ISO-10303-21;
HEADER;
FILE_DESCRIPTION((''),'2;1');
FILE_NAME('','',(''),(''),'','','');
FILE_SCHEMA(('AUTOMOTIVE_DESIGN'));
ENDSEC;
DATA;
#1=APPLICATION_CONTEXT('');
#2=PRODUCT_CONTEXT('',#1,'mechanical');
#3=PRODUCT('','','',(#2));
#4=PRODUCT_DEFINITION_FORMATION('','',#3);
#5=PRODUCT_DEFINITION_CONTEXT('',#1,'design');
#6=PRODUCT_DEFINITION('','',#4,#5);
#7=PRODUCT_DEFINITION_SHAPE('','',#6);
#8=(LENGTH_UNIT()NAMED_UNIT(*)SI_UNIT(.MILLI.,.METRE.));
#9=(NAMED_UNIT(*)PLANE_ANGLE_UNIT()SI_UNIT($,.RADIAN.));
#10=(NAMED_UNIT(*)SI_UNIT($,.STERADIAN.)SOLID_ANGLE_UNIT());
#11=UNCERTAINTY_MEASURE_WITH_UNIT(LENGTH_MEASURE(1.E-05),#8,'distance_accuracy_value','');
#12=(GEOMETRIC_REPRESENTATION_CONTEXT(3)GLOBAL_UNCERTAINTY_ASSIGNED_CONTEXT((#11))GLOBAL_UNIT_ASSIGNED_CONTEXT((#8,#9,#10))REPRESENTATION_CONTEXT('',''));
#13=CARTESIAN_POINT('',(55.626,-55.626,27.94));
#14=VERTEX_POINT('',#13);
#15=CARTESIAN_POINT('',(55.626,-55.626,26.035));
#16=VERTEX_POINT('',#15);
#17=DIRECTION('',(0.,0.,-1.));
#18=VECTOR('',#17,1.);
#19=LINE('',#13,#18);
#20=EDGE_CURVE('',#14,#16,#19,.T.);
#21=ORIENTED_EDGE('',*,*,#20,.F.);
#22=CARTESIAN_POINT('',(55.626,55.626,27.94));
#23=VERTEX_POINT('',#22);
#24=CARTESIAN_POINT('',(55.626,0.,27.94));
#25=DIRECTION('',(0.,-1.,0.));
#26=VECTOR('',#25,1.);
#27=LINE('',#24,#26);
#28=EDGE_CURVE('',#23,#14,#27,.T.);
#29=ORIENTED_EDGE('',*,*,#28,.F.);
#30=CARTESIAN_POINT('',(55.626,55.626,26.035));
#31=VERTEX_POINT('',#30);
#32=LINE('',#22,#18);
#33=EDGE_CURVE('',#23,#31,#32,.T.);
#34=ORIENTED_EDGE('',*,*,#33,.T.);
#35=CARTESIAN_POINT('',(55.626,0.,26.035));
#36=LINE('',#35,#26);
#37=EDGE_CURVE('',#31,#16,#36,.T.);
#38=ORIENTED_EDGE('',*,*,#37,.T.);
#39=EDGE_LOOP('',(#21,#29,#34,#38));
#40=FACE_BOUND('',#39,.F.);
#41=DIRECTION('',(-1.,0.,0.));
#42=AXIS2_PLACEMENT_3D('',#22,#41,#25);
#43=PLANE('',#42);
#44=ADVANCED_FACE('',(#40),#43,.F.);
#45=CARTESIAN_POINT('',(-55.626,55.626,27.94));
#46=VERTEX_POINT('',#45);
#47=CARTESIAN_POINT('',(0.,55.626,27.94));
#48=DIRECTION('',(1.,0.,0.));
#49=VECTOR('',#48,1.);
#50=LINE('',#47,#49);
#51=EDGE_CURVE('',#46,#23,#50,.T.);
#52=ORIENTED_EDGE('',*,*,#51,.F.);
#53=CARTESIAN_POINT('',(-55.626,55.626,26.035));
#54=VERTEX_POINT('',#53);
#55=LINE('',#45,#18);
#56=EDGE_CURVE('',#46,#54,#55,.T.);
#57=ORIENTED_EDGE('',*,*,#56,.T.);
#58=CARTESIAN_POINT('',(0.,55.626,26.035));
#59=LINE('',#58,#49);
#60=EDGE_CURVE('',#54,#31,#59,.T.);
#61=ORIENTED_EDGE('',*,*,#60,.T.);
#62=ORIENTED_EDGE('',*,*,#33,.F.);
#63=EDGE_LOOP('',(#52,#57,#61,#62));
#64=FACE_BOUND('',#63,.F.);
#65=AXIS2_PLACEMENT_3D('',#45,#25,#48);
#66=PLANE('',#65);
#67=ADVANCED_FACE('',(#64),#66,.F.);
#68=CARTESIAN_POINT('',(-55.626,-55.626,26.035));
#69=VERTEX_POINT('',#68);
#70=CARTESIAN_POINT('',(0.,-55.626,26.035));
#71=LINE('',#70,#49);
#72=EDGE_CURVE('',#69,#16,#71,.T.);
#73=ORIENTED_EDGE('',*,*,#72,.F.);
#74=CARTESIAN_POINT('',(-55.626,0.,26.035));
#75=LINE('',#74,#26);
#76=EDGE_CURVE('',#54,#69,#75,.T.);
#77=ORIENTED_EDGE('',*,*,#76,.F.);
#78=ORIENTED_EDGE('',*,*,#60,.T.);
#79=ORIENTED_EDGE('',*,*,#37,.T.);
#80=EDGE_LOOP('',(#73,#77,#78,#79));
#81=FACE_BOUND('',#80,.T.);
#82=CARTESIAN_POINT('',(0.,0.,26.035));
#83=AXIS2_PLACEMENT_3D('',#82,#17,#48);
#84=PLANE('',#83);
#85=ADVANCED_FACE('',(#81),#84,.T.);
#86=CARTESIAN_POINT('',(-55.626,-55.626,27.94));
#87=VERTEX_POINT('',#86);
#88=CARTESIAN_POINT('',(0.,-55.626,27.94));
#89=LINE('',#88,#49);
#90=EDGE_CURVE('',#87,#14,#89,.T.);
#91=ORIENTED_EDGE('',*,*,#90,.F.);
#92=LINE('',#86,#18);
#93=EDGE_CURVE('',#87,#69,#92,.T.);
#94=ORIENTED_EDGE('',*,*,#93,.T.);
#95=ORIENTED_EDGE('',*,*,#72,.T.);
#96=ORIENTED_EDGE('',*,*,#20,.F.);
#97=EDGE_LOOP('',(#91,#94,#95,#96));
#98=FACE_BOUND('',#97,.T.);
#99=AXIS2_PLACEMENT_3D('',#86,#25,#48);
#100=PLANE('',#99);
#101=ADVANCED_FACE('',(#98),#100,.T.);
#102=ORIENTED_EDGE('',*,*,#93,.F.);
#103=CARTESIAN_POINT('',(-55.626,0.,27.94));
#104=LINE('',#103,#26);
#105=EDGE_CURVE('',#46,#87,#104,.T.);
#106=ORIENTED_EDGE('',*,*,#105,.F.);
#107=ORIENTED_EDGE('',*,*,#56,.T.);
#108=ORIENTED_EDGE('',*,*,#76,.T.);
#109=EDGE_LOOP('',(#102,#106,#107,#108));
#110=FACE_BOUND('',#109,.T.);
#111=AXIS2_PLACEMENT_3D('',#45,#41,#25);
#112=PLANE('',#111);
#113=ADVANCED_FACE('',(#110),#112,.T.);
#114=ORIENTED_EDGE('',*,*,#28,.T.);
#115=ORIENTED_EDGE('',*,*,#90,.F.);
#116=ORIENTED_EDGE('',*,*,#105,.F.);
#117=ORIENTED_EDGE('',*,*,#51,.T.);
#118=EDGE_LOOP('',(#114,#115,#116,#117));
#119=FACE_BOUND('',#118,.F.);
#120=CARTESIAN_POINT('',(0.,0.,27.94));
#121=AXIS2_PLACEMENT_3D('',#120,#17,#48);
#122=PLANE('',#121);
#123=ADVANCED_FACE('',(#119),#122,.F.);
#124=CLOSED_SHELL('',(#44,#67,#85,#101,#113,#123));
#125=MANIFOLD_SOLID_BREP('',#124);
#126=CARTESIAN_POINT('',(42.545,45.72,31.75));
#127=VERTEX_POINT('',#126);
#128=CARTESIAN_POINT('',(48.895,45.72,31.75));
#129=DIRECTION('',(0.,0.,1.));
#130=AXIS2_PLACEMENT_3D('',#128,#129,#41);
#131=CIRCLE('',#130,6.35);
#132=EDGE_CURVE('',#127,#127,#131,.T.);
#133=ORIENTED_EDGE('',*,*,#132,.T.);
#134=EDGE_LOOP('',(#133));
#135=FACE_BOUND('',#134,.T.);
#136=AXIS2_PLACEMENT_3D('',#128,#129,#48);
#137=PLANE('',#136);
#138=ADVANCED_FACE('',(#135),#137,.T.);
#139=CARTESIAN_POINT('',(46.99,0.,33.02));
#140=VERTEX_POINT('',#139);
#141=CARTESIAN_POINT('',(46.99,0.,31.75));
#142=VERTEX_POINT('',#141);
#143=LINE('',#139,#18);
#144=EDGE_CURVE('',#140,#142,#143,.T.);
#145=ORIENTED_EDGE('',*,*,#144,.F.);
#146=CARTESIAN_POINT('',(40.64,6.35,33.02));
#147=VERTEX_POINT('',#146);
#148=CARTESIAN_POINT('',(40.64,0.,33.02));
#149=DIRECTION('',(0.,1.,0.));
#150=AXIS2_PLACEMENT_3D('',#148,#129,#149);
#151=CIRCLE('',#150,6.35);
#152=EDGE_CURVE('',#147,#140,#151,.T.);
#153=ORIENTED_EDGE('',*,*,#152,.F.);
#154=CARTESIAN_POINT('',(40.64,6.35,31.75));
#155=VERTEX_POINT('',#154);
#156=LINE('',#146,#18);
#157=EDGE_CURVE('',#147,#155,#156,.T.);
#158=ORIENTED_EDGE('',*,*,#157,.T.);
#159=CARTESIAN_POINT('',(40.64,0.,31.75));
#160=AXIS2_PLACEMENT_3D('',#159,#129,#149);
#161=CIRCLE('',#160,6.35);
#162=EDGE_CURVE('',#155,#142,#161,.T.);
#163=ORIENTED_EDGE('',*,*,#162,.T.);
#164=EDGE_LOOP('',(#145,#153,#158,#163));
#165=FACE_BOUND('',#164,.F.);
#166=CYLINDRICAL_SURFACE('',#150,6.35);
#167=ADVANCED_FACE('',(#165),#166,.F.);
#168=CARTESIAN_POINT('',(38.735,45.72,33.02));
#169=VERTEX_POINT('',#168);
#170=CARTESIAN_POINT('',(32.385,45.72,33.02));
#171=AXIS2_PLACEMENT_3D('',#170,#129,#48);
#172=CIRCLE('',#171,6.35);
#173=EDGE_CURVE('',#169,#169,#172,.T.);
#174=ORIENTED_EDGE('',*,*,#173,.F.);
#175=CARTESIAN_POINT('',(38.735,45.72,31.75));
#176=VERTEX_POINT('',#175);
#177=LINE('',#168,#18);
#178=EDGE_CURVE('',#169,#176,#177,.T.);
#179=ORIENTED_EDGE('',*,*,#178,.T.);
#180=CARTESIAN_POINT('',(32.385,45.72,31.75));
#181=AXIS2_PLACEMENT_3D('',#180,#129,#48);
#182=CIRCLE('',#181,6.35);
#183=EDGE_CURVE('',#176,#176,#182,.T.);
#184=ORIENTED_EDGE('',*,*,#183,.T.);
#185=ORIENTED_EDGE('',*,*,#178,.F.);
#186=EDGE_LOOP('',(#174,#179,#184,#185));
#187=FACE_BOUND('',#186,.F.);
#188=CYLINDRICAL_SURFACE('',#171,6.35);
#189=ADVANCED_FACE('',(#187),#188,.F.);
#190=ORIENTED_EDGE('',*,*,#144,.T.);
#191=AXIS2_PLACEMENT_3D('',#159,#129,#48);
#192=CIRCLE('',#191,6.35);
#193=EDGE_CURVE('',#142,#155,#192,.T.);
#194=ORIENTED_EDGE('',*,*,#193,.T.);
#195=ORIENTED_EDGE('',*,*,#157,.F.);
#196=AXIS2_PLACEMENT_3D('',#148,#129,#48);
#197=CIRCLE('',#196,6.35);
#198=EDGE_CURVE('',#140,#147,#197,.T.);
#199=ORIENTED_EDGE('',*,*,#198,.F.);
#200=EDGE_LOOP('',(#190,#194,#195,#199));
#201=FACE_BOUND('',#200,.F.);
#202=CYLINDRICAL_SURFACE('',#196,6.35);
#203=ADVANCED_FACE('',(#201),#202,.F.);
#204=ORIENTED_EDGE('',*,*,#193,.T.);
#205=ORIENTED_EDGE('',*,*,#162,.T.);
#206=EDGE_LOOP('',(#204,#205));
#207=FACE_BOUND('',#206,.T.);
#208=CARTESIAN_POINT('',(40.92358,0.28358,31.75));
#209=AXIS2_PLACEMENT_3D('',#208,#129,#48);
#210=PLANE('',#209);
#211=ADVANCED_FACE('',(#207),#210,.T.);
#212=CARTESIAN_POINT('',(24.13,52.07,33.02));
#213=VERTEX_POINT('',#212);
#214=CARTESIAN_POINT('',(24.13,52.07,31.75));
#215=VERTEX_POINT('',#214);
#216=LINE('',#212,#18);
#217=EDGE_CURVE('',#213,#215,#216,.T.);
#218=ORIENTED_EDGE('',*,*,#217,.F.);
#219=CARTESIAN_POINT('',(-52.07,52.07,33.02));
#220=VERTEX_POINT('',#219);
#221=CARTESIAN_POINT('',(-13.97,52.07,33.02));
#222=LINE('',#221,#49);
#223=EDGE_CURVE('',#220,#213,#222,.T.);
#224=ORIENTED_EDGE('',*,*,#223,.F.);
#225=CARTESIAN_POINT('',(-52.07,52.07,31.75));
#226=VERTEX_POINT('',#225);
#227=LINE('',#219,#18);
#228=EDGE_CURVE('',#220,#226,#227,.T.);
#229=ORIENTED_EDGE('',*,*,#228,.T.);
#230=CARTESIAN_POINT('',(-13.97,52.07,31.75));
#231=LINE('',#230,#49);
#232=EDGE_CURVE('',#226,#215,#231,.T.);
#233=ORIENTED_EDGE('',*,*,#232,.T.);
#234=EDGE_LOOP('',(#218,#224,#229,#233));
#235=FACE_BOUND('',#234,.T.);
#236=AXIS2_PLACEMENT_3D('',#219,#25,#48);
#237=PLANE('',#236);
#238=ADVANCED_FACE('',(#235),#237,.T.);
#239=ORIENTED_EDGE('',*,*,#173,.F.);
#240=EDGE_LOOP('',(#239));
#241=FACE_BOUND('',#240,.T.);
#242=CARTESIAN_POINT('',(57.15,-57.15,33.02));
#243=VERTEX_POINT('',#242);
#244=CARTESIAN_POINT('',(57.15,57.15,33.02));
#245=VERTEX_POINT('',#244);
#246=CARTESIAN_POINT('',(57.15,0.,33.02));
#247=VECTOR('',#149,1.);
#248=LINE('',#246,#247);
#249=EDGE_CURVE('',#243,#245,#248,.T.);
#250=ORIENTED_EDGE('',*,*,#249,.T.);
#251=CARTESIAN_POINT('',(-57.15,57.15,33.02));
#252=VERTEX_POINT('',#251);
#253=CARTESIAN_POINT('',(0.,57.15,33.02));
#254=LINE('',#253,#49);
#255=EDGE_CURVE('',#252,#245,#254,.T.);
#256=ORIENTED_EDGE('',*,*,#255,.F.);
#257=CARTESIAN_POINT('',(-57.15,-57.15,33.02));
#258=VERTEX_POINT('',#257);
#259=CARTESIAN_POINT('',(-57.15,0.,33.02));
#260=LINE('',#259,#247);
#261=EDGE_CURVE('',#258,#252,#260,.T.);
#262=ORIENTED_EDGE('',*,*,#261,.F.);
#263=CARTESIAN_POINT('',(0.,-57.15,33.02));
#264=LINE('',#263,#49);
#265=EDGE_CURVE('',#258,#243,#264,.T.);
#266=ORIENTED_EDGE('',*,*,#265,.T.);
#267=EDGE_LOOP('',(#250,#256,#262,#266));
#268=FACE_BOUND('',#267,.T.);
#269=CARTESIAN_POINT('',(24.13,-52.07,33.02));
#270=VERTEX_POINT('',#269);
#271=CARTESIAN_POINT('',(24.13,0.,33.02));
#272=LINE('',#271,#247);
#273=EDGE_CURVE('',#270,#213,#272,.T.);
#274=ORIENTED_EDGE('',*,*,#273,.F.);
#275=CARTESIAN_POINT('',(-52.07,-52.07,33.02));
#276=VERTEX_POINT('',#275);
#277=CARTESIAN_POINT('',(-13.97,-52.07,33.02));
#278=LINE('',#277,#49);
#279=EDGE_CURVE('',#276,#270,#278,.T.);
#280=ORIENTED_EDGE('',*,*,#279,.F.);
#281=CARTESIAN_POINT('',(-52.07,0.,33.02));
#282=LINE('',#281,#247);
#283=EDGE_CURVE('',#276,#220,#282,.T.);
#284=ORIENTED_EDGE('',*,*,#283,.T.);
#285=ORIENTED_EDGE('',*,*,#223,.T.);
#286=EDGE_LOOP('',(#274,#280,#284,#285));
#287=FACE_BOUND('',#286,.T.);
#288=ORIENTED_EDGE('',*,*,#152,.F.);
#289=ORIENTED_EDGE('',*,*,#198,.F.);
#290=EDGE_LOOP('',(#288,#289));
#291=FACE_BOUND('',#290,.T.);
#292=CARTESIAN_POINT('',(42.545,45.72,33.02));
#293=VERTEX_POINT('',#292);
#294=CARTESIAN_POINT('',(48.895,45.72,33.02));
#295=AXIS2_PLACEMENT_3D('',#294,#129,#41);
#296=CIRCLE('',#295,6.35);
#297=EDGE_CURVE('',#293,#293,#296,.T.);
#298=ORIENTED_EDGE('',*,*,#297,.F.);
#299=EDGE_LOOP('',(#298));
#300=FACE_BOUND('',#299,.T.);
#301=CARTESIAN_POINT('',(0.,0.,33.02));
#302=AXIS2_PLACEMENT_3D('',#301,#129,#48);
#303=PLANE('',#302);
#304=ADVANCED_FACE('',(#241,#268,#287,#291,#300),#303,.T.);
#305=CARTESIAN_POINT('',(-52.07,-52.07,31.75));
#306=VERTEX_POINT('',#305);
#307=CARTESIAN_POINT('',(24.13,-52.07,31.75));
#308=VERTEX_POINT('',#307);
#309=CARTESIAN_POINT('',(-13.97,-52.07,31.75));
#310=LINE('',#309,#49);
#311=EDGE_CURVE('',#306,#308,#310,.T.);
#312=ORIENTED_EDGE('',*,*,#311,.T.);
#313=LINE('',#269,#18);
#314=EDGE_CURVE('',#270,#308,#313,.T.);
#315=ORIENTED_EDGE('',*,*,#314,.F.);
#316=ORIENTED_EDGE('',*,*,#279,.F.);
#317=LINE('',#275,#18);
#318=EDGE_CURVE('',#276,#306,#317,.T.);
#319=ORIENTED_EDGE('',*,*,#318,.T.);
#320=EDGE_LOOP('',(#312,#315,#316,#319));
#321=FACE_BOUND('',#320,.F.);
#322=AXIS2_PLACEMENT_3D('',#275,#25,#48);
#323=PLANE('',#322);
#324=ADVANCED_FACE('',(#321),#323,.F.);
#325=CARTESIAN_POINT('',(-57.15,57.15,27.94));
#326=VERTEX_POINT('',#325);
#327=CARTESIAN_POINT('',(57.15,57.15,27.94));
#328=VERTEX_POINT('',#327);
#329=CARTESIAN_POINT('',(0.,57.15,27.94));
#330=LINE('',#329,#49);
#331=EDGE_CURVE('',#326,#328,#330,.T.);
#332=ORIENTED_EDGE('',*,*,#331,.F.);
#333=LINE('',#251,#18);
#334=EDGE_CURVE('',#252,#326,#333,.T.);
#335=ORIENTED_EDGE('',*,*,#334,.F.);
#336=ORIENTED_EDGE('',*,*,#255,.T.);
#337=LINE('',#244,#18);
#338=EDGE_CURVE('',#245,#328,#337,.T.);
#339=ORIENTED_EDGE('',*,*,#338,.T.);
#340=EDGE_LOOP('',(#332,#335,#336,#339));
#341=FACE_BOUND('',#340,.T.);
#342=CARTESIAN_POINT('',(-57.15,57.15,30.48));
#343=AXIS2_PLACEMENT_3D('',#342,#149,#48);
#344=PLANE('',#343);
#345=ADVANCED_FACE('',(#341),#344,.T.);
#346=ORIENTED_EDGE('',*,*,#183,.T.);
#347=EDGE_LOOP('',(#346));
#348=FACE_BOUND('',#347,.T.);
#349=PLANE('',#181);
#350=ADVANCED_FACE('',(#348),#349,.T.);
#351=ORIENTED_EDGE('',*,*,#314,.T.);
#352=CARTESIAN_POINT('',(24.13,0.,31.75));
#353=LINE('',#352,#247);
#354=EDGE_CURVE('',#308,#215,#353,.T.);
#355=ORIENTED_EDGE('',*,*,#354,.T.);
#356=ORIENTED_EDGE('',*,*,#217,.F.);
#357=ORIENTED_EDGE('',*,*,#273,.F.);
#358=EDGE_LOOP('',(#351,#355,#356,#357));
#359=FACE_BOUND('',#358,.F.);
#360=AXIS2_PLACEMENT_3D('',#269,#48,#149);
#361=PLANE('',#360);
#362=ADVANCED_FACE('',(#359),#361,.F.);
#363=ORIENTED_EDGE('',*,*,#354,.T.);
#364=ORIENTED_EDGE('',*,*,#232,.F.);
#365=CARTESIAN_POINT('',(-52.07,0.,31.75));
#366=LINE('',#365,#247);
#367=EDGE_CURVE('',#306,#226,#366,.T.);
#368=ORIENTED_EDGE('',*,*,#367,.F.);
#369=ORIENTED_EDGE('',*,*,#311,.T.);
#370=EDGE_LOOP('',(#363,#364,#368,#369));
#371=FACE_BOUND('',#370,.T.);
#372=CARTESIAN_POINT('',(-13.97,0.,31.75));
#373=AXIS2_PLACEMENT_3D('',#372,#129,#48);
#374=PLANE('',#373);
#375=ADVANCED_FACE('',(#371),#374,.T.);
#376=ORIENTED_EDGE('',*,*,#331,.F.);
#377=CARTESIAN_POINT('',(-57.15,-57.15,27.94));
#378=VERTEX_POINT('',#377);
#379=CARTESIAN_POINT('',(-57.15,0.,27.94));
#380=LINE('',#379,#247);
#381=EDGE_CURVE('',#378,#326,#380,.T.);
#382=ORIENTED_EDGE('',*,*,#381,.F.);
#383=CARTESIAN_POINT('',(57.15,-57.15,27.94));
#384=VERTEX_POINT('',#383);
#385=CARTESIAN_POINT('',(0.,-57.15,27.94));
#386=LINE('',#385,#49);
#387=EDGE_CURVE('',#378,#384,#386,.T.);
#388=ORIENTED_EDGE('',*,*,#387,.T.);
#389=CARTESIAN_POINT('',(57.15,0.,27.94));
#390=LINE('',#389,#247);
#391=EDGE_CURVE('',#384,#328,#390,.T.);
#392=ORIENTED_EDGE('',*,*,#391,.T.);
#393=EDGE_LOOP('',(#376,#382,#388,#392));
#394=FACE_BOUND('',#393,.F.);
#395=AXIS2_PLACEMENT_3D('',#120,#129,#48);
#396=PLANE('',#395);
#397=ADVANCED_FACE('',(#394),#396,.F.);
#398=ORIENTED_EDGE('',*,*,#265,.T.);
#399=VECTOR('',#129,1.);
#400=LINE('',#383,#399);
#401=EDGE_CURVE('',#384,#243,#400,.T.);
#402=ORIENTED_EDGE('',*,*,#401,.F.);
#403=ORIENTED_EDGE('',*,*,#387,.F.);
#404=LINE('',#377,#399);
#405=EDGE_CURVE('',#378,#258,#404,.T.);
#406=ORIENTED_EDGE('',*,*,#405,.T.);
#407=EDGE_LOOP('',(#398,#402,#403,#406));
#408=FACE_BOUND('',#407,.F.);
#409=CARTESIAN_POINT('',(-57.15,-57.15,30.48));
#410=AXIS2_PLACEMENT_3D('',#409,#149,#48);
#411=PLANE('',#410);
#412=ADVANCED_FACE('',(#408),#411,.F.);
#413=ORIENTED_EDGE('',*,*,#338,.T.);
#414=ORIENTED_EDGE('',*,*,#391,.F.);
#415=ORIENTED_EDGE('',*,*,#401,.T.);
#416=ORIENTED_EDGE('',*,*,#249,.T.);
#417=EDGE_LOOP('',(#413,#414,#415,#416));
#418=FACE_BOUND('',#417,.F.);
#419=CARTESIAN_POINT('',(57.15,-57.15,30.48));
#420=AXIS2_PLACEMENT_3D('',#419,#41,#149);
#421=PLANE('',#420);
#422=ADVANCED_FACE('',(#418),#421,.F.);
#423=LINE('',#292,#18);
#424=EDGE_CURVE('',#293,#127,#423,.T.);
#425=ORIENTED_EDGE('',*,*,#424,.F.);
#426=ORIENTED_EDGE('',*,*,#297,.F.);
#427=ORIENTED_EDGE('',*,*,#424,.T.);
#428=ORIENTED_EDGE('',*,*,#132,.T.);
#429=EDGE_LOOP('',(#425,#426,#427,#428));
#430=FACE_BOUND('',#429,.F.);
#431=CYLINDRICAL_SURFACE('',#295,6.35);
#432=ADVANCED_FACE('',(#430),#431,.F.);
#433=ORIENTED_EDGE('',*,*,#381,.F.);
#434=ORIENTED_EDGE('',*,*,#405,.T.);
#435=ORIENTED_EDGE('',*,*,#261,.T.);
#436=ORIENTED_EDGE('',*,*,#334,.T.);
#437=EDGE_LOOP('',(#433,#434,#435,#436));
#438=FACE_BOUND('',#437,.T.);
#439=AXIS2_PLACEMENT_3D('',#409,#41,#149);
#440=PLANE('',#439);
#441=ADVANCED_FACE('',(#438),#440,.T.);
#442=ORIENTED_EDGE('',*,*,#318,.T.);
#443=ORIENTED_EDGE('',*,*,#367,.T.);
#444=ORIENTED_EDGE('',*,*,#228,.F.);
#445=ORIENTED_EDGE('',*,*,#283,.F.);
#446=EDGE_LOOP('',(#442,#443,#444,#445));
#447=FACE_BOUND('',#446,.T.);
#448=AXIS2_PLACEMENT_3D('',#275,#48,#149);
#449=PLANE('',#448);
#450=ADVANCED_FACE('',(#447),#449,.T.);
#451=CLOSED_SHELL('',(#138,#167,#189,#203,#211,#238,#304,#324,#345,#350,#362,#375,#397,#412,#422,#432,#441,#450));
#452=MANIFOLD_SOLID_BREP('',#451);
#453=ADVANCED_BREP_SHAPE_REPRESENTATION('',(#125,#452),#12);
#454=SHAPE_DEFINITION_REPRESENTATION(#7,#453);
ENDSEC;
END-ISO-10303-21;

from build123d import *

# Parameters (mm, degrees)
F0_W      = 114.3
F0_H      = 114.3
F1_DEPTH  = 2.54
F2_W      = 114.3
F2_H      = 25.4
F3_DEPTH  = 2.54
F5_W      = 109.22
F5_H      = 25.4
F6_DEPTH  = 2.54
F8_W      = 114.3
F8_H      = 114.3
F8_W_2    = 109.22
F8_H_2    = 109.22
F9_DEPTH  = 2.54
F10_W     = 114.3
F10_H     = 114.3
F11_DEPTH = 2.54
F12_W     = 76.2
F12_H     = 104.14
F13_DEPTH = 1.27
F14_R     = 6.35
F15_DEPTH = 1.27
F17_W     = 111.252
F17_H     = 111.252
F18_DEPTH = 1.905


with BuildPart() as f1:
    # F0 (on Top) → F1 (new body)
    with BuildSketch(Plane.XY):
        Rectangle(F0_W, F0_H)
    extrude(amount=F1_DEPTH)

    # F4: F3 across plane


with BuildPart() as f3:
    # F2 (on face) → F3 (new body)
    with BuildSketch(Plane.YZ.offset(57.15)):
        with Locations((0, 15.24)):
            Rectangle(F2_W, F2_H)
    extrude(amount=-F3_DEPTH)


with BuildPart() as f1_1:
    add(f1.part)
    add(f3.part.mirror(Plane.YZ))


    add(f3.part)  # F6 merges F3
    # F5 (on face) → F6 (join)
    with BuildSketch(Plane(origin=(0, 57.15, 0), x_dir=(-1, 0, 0), z_dir=(0, 1, 0))):
        with Locations((0, 15.24)):
            Rectangle(F5_W, F5_H)
    extrude(amount=-F6_DEPTH)

    # F7: F1 across plane


with BuildPart() as f1_2:
    add(f1_1.part)
    add(f1_1.part.mirror(Plane.XZ))


with BuildPart() as f9:
    # F8 (on face) → F9 (new body)
    with BuildSketch(Plane.XY.offset(27.94)):
        Rectangle(F8_W, F8_H)
        Rectangle(F8_W_2, F8_H_2, mode=Mode.SUBTRACT)
        Rectangle(F8_W_2, F8_H_2)
    extrude(amount=F9_DEPTH)

    # F10 (on face) → F11 (join)
    with BuildSketch(Plane.XY.offset(30.48)):
        Rectangle(F10_W, F10_H)
    extrude(amount=F11_DEPTH)

    # F12 (on face) → F13 (cut)
    with BuildSketch(Plane.XY.offset(33.02)):
        with Locations((-13.97, 0)):
            Rectangle(F12_W, F12_H)
    extrude(amount=-F13_DEPTH, mode=Mode.SUBTRACT)

    # F14 (on face) → F15 (cut)
    with BuildSketch(Plane.XY.offset(33.02)):
        with BuildLine():
            ThreePointArc((55.245, 45.72), (48.895, 52.07), (42.545, 45.72))
            ThreePointArc((42.545, 45.72), (48.895, 39.37), (55.245, 45.72))
        make_face()
        with Locations((32.385, 45.72)):
            Circle(F14_R)
        with BuildLine():
            ThreePointArc((40.64, 6.35), (36.1498719395, -4.4901280605), (46.99, 0))
            ThreePointArc((46.99, 0), (45.1301280605, 4.4901280605), (40.64, 6.35))
        make_face()
    extrude(amount=-F15_DEPTH, mode=Mode.SUBTRACT)


with BuildPart() as f18:
    # F17 (on face) → F18 (new body)
    with BuildSketch(Plane(origin=(0, 0, 27.94), x_dir=(1, 0, 0), z_dir=(0, 0, -1))):
        Rectangle(F17_W, F17_H)
    extrude(amount=F18_DEPTH)


solid = Compound([f9.part, f18.part])
